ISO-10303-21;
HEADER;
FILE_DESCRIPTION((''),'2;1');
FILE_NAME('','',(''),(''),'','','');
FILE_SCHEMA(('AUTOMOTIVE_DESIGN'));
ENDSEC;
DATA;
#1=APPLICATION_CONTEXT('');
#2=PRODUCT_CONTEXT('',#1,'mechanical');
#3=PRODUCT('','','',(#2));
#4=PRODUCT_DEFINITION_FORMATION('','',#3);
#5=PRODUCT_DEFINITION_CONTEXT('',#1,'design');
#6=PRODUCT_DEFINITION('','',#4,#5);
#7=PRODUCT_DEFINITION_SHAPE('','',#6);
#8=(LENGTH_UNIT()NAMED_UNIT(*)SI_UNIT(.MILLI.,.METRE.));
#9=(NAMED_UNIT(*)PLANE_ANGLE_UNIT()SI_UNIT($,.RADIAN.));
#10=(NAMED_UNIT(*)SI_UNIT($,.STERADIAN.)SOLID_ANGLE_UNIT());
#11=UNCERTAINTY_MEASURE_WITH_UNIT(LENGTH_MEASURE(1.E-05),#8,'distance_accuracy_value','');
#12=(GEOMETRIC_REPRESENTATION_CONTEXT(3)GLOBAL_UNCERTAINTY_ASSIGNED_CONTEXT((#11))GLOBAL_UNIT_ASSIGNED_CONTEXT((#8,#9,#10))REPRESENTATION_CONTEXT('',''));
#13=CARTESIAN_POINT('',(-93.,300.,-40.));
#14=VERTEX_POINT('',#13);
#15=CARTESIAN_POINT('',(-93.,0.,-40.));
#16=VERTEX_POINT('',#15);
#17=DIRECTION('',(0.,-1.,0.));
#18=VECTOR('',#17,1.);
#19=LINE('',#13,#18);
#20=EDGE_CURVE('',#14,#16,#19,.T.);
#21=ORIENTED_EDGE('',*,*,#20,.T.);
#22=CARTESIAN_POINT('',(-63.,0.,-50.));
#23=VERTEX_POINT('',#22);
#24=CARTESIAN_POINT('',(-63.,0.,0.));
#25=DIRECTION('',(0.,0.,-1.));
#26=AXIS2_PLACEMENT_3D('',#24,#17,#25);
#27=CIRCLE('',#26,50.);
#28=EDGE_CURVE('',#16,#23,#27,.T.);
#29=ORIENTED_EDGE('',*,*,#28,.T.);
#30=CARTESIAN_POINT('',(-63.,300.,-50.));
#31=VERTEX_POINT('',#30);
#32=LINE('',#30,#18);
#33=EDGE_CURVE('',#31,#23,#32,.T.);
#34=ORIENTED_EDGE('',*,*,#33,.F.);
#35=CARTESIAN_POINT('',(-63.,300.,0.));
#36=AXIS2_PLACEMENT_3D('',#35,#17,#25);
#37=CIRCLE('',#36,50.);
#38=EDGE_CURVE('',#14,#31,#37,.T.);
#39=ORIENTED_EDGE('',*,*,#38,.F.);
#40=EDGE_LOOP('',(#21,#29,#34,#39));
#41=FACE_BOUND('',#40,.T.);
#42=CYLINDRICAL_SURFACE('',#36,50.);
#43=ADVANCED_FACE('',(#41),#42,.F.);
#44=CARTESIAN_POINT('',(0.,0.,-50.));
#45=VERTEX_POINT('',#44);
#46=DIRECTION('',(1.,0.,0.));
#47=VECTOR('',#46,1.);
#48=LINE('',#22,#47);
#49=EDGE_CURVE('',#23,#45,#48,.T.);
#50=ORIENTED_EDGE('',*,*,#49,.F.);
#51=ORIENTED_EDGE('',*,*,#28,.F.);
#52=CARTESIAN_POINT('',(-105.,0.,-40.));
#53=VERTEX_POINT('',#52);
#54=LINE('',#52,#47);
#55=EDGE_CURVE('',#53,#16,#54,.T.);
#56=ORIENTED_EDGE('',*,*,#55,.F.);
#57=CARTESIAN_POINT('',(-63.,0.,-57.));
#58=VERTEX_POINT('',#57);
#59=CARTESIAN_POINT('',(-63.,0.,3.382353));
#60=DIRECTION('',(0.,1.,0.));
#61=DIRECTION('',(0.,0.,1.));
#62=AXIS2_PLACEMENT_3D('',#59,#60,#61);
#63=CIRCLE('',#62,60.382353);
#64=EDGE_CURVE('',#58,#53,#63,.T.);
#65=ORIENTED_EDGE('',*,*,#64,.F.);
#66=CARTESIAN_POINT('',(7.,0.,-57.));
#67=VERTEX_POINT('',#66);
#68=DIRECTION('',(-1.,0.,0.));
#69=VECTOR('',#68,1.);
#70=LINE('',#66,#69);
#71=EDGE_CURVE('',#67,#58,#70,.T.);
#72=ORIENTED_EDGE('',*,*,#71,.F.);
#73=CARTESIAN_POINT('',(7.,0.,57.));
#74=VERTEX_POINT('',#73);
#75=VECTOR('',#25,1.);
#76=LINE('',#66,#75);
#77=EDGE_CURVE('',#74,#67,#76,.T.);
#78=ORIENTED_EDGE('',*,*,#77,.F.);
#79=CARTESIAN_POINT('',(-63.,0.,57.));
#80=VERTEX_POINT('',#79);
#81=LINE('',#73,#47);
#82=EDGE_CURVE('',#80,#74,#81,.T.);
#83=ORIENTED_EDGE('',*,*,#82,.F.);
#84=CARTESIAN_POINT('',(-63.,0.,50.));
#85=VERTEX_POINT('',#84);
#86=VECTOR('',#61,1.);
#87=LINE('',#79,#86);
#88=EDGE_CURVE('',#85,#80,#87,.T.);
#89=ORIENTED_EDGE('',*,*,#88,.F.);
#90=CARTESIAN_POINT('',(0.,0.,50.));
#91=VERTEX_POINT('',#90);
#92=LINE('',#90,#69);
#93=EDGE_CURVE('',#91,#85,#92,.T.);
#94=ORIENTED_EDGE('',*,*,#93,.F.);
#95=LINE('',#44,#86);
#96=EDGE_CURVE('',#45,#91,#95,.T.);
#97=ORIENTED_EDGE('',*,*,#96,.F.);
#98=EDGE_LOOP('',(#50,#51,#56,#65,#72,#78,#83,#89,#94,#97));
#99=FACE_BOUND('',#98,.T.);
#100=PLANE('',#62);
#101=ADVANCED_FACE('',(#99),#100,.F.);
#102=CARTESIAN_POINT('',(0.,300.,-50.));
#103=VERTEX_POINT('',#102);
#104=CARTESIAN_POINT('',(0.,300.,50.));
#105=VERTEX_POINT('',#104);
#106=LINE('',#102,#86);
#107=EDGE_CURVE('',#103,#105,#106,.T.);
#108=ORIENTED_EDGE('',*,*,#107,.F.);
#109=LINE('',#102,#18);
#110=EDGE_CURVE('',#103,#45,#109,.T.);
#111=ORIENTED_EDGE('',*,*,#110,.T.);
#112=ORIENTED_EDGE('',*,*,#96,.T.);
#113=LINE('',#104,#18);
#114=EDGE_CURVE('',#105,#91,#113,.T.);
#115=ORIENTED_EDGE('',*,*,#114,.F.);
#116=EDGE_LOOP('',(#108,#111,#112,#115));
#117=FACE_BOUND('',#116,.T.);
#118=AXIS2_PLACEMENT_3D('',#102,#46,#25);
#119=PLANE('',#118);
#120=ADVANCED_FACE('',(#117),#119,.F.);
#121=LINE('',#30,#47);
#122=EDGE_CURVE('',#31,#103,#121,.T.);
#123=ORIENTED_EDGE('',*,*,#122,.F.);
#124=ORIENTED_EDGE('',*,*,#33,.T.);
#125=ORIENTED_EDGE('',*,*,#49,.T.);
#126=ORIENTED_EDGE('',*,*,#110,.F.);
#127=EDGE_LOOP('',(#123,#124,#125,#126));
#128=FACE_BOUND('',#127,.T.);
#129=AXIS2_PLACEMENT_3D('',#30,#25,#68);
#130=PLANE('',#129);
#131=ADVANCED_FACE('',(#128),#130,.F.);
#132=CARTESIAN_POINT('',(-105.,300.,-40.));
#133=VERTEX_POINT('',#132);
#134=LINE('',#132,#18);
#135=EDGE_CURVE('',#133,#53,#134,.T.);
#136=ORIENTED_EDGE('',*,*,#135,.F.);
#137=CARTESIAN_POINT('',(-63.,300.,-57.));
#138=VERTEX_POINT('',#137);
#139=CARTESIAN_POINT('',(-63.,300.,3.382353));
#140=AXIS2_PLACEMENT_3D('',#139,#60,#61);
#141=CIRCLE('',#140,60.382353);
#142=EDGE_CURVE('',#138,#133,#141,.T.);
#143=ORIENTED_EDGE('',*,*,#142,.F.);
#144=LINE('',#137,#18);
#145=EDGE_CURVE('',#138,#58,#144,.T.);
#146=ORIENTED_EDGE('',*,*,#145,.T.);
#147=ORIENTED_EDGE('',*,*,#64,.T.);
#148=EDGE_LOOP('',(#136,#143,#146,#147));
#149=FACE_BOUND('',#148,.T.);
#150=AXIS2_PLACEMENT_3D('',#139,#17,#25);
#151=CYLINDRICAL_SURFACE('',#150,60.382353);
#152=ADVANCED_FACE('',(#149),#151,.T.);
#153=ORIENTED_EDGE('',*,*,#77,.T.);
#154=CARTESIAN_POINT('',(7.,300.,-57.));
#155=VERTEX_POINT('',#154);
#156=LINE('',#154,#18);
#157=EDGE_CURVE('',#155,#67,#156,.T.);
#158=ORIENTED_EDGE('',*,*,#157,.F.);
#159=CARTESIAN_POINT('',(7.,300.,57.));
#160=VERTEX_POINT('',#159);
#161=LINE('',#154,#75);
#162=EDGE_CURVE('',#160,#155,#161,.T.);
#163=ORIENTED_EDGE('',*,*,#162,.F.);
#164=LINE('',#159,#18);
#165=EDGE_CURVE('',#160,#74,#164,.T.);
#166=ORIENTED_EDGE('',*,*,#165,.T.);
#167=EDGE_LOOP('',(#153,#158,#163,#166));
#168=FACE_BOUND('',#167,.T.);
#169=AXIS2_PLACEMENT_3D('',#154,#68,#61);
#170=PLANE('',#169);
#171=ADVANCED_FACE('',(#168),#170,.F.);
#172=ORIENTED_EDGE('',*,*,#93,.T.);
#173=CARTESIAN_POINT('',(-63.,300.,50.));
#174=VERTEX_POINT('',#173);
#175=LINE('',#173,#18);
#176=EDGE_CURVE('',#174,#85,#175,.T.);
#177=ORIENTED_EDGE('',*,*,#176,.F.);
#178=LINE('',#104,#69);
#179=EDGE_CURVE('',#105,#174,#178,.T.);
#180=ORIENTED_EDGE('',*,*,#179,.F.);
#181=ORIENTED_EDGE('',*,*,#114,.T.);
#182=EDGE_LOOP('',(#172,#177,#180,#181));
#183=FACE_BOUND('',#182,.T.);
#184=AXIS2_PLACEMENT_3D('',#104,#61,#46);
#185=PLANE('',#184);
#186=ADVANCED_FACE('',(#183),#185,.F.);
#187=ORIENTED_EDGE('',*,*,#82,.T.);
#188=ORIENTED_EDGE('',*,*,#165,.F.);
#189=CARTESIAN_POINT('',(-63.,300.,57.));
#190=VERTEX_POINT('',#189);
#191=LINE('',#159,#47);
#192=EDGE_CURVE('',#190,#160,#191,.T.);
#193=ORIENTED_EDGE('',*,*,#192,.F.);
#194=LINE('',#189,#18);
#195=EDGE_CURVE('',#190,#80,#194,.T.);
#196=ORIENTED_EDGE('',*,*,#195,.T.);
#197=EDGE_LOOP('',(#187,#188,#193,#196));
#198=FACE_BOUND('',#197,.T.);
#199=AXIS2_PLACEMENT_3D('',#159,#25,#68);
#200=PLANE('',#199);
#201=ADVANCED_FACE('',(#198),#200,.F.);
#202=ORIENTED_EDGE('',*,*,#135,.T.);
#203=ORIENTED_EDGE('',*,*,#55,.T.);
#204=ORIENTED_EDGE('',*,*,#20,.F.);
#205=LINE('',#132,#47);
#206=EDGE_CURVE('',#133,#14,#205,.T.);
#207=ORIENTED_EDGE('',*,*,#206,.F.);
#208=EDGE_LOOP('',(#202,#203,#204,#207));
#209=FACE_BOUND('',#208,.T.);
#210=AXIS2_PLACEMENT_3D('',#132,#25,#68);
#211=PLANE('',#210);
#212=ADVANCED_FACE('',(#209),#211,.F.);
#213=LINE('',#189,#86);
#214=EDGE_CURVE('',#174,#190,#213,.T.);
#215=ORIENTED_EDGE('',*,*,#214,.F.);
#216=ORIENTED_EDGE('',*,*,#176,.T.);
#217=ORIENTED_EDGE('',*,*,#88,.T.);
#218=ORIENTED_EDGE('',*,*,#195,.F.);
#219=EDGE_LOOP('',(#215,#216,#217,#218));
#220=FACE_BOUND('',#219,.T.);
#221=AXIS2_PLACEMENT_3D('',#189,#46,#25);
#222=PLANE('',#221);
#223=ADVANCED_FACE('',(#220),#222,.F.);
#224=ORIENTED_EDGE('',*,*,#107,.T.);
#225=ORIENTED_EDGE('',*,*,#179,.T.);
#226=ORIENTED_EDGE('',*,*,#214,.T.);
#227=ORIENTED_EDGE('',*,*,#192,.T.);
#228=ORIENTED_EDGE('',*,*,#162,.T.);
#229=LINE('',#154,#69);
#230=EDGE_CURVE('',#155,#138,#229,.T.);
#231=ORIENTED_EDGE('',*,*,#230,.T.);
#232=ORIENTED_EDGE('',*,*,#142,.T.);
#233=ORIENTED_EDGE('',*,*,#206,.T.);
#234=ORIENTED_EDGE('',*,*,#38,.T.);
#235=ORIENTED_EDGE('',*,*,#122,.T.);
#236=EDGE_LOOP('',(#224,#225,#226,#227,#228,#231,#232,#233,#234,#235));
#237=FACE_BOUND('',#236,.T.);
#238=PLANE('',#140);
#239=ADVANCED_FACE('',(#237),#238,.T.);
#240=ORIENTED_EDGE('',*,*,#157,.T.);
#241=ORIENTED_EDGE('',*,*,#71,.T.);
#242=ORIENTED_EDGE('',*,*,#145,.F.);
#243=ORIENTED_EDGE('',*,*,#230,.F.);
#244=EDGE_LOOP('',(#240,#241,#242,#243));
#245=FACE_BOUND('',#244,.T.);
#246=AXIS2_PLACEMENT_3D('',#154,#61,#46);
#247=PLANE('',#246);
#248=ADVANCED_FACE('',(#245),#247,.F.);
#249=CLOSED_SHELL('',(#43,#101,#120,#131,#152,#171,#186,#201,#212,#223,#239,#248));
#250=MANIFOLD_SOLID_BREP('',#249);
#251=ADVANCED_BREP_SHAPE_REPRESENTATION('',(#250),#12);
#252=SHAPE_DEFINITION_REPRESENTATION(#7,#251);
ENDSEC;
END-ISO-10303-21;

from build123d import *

# Parameters (mm, degrees)
BOSS_EXTRUDE2_DEPTH = 300


with BuildPart() as part:
    # Sketch1 → Boss-Extrude2 (new body)
    with BuildSketch(Plane(origin=(0, 0, 0), x_dir=(1, 0, 0), z_dir=(0, 1, 0))):
        with BuildLine():
            Line((7, 57), (7, -57))
            Line((7, -57), (-63, -57))
            Line((-63, -57), (-63, -50))
            Line((-63, -50), (0, -50))
            Line((0, -50), (0, 50))
            Line((0, 50), (-63, 50))
            ThreePointArc((-63, 50), (-78.811388301, 47.434164903), (-93, 40))
            Line((-93, 40), (-105, 40))
            ThreePointArc((-105, 40), (-85.655021518, 52.588876693), (-63, 57))
            Line((-63, 57), (7, 57))
        make_face()
    extrude(amount=BOSS_EXTRUDE2_DEPTH)


solid = part.part
